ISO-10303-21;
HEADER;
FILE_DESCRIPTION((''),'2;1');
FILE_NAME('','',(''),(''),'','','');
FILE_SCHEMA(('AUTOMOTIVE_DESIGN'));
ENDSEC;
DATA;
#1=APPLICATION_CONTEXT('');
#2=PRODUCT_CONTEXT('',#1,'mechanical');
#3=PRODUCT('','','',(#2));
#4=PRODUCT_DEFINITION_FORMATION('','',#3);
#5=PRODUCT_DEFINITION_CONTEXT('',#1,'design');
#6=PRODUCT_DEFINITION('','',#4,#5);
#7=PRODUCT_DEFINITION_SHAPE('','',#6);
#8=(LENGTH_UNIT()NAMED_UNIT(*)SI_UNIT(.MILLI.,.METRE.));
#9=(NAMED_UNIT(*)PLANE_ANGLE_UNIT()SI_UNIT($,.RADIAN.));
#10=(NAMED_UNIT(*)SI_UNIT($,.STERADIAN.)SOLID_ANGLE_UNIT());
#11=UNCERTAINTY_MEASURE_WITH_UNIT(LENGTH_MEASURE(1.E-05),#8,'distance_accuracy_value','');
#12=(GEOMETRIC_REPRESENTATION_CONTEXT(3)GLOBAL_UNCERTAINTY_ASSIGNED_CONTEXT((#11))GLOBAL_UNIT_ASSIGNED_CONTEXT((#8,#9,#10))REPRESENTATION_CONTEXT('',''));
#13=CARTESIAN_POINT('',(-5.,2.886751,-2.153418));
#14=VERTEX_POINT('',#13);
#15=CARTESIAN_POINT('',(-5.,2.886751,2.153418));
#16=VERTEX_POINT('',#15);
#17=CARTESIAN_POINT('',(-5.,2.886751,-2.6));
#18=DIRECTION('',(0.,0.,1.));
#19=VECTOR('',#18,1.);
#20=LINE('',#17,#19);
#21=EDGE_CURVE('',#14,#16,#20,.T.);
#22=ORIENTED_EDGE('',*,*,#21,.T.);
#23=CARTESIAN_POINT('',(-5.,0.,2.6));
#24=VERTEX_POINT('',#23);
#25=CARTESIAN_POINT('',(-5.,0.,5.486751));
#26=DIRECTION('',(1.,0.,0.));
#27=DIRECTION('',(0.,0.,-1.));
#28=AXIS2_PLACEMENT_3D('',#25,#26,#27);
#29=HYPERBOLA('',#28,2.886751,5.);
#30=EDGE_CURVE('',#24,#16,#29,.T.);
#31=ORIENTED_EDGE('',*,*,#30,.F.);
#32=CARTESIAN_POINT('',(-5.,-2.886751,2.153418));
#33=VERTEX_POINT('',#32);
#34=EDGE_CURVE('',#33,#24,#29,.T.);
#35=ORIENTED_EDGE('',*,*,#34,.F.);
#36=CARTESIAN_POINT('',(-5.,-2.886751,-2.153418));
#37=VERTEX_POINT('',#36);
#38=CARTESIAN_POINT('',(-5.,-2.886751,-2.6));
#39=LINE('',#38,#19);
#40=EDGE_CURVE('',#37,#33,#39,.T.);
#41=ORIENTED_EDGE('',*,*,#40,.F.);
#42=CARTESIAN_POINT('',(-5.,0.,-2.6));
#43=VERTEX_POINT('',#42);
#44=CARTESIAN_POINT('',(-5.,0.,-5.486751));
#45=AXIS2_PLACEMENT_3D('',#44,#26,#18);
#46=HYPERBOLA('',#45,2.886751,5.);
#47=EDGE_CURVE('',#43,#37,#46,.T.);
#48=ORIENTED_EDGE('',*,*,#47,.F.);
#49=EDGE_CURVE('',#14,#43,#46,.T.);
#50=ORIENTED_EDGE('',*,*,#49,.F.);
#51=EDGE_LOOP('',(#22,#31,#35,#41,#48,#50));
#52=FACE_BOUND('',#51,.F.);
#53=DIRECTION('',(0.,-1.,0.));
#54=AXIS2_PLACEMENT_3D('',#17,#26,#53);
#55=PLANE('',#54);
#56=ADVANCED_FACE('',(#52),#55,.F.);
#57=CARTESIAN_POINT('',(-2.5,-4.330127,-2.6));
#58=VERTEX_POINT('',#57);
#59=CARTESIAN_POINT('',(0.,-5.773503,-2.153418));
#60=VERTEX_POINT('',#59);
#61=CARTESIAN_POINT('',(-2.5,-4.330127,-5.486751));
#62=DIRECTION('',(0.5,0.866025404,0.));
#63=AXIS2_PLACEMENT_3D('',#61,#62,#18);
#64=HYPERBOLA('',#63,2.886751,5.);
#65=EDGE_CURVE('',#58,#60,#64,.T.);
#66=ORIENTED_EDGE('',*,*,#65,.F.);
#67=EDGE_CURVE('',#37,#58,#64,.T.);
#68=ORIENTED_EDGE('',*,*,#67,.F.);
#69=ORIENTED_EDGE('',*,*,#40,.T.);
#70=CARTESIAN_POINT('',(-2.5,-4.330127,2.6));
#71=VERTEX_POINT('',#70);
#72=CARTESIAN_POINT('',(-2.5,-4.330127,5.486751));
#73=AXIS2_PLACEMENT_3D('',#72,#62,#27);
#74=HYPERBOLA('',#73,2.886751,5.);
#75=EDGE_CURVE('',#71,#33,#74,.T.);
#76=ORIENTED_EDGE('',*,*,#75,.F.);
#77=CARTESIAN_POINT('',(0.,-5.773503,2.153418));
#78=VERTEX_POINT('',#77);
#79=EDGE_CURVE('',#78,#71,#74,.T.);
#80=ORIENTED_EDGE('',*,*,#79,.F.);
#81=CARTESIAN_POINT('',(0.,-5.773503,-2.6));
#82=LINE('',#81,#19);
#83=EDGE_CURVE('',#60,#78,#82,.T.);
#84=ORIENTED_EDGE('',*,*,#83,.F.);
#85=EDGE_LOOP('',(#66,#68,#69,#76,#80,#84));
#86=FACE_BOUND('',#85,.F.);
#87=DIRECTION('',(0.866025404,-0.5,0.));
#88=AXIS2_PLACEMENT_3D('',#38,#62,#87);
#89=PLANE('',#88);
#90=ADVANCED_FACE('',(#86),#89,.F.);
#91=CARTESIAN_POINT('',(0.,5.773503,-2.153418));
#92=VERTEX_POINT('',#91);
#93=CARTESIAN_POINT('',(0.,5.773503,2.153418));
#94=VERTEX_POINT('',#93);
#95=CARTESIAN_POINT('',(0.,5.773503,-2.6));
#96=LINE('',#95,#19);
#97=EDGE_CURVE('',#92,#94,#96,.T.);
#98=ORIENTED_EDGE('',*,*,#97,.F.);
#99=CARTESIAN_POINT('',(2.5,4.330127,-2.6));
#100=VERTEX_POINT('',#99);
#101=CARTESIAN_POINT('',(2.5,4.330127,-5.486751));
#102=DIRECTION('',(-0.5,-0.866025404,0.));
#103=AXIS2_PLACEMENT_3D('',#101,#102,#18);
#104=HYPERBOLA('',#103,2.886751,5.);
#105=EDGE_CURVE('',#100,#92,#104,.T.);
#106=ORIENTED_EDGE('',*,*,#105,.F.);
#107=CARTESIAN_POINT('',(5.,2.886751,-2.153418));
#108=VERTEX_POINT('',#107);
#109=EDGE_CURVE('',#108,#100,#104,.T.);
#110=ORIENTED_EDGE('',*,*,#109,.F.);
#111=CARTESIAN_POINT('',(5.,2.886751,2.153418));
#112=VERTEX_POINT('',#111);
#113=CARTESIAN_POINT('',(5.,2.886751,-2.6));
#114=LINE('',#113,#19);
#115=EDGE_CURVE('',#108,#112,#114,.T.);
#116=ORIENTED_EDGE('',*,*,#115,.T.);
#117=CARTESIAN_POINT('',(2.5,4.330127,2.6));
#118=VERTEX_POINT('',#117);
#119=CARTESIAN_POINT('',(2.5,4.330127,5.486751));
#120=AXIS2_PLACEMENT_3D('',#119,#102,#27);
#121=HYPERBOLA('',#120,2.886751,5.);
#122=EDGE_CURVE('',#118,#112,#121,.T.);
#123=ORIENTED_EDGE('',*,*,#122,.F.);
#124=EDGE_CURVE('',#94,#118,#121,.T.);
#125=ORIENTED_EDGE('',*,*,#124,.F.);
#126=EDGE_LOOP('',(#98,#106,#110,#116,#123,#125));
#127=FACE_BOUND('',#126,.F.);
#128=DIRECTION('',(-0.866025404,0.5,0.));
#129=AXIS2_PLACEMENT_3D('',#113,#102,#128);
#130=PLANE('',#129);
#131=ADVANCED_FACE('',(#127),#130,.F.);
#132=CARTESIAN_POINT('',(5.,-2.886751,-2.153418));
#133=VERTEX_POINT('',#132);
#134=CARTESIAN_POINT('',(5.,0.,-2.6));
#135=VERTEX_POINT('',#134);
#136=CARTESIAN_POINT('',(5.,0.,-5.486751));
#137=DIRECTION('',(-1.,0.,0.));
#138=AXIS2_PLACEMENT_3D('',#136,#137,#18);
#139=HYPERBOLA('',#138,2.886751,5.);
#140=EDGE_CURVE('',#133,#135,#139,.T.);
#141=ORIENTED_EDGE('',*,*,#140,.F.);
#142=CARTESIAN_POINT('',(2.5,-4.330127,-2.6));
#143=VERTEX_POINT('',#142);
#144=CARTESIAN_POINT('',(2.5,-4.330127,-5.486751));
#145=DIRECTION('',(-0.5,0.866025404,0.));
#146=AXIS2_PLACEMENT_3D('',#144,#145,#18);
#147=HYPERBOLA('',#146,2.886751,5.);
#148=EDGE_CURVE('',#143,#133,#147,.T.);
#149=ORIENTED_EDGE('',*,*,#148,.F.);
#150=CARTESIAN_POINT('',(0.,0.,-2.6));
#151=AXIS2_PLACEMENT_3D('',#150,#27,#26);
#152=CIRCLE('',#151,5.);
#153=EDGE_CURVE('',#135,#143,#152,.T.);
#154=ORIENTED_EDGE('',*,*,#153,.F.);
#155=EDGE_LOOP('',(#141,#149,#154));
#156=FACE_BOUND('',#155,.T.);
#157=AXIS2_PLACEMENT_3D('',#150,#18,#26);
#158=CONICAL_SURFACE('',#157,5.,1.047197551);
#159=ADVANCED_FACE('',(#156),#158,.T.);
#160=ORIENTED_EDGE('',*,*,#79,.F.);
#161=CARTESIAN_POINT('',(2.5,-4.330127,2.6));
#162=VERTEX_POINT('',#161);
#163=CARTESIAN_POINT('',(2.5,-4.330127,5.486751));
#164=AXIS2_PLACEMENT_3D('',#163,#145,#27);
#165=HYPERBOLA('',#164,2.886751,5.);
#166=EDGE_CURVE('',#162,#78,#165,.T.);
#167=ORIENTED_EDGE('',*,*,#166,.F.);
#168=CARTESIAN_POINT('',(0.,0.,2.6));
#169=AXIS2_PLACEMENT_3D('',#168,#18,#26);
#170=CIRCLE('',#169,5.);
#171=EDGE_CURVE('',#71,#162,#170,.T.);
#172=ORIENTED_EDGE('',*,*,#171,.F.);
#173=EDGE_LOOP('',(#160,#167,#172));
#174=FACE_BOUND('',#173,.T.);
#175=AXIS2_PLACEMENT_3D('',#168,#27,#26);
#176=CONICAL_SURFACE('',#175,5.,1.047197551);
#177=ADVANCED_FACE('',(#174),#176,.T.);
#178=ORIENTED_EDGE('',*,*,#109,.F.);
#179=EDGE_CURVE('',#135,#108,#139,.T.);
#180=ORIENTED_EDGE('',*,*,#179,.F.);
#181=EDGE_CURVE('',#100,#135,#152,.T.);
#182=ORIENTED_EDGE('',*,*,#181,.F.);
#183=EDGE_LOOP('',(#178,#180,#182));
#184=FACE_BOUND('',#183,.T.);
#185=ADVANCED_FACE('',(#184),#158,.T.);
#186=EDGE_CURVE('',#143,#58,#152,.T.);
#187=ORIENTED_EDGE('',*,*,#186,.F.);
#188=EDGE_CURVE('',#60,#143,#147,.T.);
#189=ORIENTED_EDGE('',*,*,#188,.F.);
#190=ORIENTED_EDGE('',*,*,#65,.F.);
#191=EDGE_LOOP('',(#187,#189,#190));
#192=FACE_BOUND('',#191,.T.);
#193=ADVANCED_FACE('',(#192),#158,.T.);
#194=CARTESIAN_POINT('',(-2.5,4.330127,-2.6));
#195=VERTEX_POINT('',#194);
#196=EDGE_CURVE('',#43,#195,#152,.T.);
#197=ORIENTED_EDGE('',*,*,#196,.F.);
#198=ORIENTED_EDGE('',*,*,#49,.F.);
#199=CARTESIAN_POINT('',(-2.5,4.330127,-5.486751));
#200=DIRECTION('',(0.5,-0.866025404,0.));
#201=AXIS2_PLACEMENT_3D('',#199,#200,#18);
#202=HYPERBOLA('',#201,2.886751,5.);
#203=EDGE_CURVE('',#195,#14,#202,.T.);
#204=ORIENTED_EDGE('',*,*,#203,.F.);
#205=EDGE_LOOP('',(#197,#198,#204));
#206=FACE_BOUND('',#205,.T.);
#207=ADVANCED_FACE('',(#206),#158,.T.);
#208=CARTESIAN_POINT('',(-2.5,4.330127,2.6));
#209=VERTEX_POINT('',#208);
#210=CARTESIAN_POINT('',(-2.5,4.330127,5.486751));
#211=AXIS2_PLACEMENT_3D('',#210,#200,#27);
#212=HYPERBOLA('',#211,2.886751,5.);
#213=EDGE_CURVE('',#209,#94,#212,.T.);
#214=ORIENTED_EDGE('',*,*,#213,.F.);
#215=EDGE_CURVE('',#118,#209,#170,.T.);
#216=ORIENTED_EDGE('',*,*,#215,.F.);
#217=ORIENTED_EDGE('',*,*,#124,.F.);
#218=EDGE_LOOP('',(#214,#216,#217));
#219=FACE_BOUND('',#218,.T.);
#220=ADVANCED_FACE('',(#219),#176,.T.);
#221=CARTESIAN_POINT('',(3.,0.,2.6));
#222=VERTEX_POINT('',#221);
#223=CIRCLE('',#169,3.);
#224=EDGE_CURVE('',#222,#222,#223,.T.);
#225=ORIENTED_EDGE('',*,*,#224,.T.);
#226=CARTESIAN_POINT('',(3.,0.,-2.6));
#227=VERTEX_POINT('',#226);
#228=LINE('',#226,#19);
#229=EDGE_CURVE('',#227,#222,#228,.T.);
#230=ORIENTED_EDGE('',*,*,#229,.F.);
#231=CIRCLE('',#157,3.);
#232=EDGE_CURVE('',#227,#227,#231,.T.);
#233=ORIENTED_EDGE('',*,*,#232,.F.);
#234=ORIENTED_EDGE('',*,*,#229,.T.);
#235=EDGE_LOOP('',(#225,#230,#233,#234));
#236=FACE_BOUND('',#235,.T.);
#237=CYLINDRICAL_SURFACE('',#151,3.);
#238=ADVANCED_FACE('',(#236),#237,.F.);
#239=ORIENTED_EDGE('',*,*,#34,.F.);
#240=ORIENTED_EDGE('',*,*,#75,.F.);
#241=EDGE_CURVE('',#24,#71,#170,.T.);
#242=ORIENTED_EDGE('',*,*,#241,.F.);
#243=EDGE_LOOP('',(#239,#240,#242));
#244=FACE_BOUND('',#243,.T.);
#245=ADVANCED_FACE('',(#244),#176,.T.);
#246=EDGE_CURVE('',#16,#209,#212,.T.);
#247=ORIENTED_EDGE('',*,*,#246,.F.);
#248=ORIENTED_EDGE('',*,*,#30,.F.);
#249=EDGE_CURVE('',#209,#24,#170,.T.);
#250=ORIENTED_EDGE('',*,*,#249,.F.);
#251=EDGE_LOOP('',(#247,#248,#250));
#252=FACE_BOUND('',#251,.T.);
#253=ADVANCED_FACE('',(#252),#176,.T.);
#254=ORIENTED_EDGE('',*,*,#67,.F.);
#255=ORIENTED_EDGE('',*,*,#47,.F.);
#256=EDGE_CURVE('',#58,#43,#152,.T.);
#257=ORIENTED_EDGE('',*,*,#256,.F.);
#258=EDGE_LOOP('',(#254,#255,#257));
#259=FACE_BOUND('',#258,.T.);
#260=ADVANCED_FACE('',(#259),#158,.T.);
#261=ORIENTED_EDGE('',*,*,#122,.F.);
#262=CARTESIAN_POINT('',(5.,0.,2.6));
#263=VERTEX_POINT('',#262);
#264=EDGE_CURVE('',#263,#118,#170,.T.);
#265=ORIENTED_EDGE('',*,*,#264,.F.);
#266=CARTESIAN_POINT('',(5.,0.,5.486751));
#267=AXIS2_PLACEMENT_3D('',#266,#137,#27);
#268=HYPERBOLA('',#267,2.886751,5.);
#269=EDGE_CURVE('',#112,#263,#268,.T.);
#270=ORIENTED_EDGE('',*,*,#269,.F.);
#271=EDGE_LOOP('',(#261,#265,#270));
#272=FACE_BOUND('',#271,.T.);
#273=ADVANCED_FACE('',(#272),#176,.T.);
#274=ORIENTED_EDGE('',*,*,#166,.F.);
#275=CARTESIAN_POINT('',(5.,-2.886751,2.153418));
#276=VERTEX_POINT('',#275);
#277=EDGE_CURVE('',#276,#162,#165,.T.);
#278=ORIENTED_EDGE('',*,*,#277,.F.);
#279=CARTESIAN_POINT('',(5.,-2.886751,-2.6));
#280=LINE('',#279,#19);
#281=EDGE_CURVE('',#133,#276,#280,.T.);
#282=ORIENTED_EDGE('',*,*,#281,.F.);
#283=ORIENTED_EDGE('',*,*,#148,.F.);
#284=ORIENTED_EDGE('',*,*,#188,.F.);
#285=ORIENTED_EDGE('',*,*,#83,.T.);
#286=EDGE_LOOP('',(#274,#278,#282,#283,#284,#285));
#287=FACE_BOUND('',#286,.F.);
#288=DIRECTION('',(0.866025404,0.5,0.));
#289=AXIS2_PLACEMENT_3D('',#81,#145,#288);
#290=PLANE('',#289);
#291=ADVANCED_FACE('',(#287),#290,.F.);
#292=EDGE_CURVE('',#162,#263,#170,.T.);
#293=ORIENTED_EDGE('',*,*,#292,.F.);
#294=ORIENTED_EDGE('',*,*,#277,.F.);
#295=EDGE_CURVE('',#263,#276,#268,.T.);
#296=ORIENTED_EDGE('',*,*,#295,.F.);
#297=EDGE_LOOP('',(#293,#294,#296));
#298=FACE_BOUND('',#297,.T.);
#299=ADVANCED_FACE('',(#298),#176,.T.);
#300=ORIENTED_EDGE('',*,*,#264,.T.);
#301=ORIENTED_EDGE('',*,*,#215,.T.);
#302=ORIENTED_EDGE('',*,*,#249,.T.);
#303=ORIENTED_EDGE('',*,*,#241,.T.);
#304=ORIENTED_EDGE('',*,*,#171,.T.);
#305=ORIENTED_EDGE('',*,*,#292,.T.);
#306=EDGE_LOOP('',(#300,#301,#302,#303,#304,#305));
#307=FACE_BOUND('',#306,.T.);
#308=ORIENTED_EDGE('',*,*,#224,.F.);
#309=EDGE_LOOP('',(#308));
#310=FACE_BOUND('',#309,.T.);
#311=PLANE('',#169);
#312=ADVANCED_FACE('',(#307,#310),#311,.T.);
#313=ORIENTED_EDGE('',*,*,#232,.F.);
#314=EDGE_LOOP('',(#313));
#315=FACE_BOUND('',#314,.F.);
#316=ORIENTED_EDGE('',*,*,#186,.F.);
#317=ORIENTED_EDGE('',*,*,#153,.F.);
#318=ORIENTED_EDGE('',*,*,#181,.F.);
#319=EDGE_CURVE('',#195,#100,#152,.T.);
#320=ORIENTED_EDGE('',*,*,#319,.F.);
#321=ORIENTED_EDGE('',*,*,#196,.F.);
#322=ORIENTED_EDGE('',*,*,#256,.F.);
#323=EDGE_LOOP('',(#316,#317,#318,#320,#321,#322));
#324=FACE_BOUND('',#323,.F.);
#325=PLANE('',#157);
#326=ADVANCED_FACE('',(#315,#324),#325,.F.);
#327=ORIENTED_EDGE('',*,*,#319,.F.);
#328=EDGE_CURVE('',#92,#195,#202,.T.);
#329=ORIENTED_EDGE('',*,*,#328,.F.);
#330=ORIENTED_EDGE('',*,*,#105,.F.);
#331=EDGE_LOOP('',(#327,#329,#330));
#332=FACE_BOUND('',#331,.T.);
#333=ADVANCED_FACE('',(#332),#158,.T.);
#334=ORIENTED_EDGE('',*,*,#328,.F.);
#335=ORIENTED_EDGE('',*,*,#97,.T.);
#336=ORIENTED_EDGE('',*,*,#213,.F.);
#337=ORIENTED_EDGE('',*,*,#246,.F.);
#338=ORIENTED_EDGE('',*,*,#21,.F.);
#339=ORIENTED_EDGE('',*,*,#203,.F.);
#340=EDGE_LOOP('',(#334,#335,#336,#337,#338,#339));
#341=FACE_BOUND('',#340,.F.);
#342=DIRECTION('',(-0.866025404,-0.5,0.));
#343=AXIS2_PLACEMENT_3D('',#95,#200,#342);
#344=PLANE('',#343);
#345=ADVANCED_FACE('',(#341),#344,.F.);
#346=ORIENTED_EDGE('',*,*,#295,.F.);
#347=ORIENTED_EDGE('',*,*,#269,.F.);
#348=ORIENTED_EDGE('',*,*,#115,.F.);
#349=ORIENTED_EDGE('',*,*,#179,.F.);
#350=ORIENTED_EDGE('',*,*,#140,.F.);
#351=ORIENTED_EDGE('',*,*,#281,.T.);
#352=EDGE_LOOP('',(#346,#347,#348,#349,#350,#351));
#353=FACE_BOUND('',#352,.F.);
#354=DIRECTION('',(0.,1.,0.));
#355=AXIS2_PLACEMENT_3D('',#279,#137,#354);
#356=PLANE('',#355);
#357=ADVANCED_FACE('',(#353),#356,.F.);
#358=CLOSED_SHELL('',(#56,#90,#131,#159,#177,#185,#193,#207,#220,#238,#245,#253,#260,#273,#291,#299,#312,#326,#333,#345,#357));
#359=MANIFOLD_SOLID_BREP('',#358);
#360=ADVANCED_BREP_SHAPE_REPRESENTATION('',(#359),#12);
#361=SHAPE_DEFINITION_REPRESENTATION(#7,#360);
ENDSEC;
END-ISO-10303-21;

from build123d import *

# Parameters (mm, degrees)
BOSS_EXTRUDE1_DEPTH      = 2.6
BOSS_EXTRUDE1_DEPTH_BACK = 2.6
SKETCH2_R                = 3
SKETCH3_OUTSIDE_W        = 50.698
SKETCH3_OUTSIDE_H        = 52.246
SKETCH3_OUTSIDE_R        = 5
CUT_EXTRUDE1_DEPTH       = 10.239769117
CUT_EXTRUDE1_DRAFT       = -60
MIRROR1_COPY_1_SKETCH_W  = 50.698
MIRROR1_COPY_1_SKETCH_H  = 52.246
MIRROR1_COPY_1_SKETCH_R  = 5
MIRROR1_COPY_1_DEPTH     = 10.239769117
MIRROR1_COPY_1_DRAFT     = -60


with BuildPart() as part:
    # Sketch2 → Boss-Extrude1 (new, two sides: drawn at the far end of the back side and taken through both)
    with BuildSketch(Plane.XY.offset(-BOSS_EXTRUDE1_DEPTH_BACK)):
        Polygon((0, 5.773502692), (-5, 2.886751346), (-5, -2.886751346), (0, -5.773502692), (5, -2.886751346), (5, 2.886751346), align=None)
        Circle(SKETCH2_R, mode=Mode.SUBTRACT)
    extrude(amount=BOSS_EXTRUDE1_DEPTH + BOSS_EXTRUDE1_DEPTH_BACK)


with BuildPart() as cut_extrude1_tool:
    # Sketch3 outside → Cut-Extrude1 (with draft: the straight prism first)
    with BuildSketch(Plane.XY.offset(2.6)):
        Rectangle(SKETCH3_OUTSIDE_W, SKETCH3_OUTSIDE_H)
        Circle(SKETCH3_OUTSIDE_R, mode=Mode.SUBTRACT)
    extrude(amount=-CUT_EXTRUDE1_DEPTH)
    # Cut-Extrude1: the draft: its side faces are tilted about the plane it starts from
    cut_extrude1_sides = [cut_extrude1_tool.faces().sort_by_distance(p)[0] for p in [
        (0, -26.123, -2.519884558),
        (25.349, 0, -2.519884558),
        (0, 26.123, -2.519884558),
        (-25.349, 0, -2.519884558),
        (-5, 0, -2.519884558),
    ]]
    draft(cut_extrude1_sides, Plane.XY.offset(2.6), CUT_EXTRUDE1_DRAFT)


with BuildPart() as part_1:
    add(part.part)

    # Cut-Extrude1: cut by cut_extrude1_tool
    add(cut_extrude1_tool.part, mode=Mode.SUBTRACT)


with BuildPart() as mirror1_copy_1_tool:
    # Mirror1 copy 1 sketch → Mirror1 copy 1 (with draft: the straight prism first)
    with BuildSketch(Plane(origin=(0, 0, -2.6), x_dir=(1, 0, 0), z_dir=(0, 0, -1))):
        Rectangle(MIRROR1_COPY_1_SKETCH_W, MIRROR1_COPY_1_SKETCH_H)
        Circle(MIRROR1_COPY_1_SKETCH_R, mode=Mode.SUBTRACT)
    extrude(amount=-MIRROR1_COPY_1_DEPTH)
    # Mirror1 copy 1: the draft: its side faces are tilted about the plane it starts from
    mirror1_copy_1_sides = [mirror1_copy_1_tool.faces().sort_by_distance(p)[0] for p in [
        (0, -26.123, 2.519884558),
        (25.349, 0, 2.519884558),
        (0, 26.123, 2.519884558),
        (-25.349, 0, 2.519884558),
        (-5, 0, 2.519884558),
    ]]
    draft(mirror1_copy_1_sides, Plane(origin=(0, 0, -2.6), x_dir=(1, 0, 0), z_dir=(0, 0, -1)), MIRROR1_COPY_1_DRAFT)


with BuildPart() as part_2:
    add(part_1.part)

    # Mirror1 copy 1: cut by mirror1_copy_1_tool
    add(mirror1_copy_1_tool.part, mode=Mode.SUBTRACT)


solid = part_2.part
